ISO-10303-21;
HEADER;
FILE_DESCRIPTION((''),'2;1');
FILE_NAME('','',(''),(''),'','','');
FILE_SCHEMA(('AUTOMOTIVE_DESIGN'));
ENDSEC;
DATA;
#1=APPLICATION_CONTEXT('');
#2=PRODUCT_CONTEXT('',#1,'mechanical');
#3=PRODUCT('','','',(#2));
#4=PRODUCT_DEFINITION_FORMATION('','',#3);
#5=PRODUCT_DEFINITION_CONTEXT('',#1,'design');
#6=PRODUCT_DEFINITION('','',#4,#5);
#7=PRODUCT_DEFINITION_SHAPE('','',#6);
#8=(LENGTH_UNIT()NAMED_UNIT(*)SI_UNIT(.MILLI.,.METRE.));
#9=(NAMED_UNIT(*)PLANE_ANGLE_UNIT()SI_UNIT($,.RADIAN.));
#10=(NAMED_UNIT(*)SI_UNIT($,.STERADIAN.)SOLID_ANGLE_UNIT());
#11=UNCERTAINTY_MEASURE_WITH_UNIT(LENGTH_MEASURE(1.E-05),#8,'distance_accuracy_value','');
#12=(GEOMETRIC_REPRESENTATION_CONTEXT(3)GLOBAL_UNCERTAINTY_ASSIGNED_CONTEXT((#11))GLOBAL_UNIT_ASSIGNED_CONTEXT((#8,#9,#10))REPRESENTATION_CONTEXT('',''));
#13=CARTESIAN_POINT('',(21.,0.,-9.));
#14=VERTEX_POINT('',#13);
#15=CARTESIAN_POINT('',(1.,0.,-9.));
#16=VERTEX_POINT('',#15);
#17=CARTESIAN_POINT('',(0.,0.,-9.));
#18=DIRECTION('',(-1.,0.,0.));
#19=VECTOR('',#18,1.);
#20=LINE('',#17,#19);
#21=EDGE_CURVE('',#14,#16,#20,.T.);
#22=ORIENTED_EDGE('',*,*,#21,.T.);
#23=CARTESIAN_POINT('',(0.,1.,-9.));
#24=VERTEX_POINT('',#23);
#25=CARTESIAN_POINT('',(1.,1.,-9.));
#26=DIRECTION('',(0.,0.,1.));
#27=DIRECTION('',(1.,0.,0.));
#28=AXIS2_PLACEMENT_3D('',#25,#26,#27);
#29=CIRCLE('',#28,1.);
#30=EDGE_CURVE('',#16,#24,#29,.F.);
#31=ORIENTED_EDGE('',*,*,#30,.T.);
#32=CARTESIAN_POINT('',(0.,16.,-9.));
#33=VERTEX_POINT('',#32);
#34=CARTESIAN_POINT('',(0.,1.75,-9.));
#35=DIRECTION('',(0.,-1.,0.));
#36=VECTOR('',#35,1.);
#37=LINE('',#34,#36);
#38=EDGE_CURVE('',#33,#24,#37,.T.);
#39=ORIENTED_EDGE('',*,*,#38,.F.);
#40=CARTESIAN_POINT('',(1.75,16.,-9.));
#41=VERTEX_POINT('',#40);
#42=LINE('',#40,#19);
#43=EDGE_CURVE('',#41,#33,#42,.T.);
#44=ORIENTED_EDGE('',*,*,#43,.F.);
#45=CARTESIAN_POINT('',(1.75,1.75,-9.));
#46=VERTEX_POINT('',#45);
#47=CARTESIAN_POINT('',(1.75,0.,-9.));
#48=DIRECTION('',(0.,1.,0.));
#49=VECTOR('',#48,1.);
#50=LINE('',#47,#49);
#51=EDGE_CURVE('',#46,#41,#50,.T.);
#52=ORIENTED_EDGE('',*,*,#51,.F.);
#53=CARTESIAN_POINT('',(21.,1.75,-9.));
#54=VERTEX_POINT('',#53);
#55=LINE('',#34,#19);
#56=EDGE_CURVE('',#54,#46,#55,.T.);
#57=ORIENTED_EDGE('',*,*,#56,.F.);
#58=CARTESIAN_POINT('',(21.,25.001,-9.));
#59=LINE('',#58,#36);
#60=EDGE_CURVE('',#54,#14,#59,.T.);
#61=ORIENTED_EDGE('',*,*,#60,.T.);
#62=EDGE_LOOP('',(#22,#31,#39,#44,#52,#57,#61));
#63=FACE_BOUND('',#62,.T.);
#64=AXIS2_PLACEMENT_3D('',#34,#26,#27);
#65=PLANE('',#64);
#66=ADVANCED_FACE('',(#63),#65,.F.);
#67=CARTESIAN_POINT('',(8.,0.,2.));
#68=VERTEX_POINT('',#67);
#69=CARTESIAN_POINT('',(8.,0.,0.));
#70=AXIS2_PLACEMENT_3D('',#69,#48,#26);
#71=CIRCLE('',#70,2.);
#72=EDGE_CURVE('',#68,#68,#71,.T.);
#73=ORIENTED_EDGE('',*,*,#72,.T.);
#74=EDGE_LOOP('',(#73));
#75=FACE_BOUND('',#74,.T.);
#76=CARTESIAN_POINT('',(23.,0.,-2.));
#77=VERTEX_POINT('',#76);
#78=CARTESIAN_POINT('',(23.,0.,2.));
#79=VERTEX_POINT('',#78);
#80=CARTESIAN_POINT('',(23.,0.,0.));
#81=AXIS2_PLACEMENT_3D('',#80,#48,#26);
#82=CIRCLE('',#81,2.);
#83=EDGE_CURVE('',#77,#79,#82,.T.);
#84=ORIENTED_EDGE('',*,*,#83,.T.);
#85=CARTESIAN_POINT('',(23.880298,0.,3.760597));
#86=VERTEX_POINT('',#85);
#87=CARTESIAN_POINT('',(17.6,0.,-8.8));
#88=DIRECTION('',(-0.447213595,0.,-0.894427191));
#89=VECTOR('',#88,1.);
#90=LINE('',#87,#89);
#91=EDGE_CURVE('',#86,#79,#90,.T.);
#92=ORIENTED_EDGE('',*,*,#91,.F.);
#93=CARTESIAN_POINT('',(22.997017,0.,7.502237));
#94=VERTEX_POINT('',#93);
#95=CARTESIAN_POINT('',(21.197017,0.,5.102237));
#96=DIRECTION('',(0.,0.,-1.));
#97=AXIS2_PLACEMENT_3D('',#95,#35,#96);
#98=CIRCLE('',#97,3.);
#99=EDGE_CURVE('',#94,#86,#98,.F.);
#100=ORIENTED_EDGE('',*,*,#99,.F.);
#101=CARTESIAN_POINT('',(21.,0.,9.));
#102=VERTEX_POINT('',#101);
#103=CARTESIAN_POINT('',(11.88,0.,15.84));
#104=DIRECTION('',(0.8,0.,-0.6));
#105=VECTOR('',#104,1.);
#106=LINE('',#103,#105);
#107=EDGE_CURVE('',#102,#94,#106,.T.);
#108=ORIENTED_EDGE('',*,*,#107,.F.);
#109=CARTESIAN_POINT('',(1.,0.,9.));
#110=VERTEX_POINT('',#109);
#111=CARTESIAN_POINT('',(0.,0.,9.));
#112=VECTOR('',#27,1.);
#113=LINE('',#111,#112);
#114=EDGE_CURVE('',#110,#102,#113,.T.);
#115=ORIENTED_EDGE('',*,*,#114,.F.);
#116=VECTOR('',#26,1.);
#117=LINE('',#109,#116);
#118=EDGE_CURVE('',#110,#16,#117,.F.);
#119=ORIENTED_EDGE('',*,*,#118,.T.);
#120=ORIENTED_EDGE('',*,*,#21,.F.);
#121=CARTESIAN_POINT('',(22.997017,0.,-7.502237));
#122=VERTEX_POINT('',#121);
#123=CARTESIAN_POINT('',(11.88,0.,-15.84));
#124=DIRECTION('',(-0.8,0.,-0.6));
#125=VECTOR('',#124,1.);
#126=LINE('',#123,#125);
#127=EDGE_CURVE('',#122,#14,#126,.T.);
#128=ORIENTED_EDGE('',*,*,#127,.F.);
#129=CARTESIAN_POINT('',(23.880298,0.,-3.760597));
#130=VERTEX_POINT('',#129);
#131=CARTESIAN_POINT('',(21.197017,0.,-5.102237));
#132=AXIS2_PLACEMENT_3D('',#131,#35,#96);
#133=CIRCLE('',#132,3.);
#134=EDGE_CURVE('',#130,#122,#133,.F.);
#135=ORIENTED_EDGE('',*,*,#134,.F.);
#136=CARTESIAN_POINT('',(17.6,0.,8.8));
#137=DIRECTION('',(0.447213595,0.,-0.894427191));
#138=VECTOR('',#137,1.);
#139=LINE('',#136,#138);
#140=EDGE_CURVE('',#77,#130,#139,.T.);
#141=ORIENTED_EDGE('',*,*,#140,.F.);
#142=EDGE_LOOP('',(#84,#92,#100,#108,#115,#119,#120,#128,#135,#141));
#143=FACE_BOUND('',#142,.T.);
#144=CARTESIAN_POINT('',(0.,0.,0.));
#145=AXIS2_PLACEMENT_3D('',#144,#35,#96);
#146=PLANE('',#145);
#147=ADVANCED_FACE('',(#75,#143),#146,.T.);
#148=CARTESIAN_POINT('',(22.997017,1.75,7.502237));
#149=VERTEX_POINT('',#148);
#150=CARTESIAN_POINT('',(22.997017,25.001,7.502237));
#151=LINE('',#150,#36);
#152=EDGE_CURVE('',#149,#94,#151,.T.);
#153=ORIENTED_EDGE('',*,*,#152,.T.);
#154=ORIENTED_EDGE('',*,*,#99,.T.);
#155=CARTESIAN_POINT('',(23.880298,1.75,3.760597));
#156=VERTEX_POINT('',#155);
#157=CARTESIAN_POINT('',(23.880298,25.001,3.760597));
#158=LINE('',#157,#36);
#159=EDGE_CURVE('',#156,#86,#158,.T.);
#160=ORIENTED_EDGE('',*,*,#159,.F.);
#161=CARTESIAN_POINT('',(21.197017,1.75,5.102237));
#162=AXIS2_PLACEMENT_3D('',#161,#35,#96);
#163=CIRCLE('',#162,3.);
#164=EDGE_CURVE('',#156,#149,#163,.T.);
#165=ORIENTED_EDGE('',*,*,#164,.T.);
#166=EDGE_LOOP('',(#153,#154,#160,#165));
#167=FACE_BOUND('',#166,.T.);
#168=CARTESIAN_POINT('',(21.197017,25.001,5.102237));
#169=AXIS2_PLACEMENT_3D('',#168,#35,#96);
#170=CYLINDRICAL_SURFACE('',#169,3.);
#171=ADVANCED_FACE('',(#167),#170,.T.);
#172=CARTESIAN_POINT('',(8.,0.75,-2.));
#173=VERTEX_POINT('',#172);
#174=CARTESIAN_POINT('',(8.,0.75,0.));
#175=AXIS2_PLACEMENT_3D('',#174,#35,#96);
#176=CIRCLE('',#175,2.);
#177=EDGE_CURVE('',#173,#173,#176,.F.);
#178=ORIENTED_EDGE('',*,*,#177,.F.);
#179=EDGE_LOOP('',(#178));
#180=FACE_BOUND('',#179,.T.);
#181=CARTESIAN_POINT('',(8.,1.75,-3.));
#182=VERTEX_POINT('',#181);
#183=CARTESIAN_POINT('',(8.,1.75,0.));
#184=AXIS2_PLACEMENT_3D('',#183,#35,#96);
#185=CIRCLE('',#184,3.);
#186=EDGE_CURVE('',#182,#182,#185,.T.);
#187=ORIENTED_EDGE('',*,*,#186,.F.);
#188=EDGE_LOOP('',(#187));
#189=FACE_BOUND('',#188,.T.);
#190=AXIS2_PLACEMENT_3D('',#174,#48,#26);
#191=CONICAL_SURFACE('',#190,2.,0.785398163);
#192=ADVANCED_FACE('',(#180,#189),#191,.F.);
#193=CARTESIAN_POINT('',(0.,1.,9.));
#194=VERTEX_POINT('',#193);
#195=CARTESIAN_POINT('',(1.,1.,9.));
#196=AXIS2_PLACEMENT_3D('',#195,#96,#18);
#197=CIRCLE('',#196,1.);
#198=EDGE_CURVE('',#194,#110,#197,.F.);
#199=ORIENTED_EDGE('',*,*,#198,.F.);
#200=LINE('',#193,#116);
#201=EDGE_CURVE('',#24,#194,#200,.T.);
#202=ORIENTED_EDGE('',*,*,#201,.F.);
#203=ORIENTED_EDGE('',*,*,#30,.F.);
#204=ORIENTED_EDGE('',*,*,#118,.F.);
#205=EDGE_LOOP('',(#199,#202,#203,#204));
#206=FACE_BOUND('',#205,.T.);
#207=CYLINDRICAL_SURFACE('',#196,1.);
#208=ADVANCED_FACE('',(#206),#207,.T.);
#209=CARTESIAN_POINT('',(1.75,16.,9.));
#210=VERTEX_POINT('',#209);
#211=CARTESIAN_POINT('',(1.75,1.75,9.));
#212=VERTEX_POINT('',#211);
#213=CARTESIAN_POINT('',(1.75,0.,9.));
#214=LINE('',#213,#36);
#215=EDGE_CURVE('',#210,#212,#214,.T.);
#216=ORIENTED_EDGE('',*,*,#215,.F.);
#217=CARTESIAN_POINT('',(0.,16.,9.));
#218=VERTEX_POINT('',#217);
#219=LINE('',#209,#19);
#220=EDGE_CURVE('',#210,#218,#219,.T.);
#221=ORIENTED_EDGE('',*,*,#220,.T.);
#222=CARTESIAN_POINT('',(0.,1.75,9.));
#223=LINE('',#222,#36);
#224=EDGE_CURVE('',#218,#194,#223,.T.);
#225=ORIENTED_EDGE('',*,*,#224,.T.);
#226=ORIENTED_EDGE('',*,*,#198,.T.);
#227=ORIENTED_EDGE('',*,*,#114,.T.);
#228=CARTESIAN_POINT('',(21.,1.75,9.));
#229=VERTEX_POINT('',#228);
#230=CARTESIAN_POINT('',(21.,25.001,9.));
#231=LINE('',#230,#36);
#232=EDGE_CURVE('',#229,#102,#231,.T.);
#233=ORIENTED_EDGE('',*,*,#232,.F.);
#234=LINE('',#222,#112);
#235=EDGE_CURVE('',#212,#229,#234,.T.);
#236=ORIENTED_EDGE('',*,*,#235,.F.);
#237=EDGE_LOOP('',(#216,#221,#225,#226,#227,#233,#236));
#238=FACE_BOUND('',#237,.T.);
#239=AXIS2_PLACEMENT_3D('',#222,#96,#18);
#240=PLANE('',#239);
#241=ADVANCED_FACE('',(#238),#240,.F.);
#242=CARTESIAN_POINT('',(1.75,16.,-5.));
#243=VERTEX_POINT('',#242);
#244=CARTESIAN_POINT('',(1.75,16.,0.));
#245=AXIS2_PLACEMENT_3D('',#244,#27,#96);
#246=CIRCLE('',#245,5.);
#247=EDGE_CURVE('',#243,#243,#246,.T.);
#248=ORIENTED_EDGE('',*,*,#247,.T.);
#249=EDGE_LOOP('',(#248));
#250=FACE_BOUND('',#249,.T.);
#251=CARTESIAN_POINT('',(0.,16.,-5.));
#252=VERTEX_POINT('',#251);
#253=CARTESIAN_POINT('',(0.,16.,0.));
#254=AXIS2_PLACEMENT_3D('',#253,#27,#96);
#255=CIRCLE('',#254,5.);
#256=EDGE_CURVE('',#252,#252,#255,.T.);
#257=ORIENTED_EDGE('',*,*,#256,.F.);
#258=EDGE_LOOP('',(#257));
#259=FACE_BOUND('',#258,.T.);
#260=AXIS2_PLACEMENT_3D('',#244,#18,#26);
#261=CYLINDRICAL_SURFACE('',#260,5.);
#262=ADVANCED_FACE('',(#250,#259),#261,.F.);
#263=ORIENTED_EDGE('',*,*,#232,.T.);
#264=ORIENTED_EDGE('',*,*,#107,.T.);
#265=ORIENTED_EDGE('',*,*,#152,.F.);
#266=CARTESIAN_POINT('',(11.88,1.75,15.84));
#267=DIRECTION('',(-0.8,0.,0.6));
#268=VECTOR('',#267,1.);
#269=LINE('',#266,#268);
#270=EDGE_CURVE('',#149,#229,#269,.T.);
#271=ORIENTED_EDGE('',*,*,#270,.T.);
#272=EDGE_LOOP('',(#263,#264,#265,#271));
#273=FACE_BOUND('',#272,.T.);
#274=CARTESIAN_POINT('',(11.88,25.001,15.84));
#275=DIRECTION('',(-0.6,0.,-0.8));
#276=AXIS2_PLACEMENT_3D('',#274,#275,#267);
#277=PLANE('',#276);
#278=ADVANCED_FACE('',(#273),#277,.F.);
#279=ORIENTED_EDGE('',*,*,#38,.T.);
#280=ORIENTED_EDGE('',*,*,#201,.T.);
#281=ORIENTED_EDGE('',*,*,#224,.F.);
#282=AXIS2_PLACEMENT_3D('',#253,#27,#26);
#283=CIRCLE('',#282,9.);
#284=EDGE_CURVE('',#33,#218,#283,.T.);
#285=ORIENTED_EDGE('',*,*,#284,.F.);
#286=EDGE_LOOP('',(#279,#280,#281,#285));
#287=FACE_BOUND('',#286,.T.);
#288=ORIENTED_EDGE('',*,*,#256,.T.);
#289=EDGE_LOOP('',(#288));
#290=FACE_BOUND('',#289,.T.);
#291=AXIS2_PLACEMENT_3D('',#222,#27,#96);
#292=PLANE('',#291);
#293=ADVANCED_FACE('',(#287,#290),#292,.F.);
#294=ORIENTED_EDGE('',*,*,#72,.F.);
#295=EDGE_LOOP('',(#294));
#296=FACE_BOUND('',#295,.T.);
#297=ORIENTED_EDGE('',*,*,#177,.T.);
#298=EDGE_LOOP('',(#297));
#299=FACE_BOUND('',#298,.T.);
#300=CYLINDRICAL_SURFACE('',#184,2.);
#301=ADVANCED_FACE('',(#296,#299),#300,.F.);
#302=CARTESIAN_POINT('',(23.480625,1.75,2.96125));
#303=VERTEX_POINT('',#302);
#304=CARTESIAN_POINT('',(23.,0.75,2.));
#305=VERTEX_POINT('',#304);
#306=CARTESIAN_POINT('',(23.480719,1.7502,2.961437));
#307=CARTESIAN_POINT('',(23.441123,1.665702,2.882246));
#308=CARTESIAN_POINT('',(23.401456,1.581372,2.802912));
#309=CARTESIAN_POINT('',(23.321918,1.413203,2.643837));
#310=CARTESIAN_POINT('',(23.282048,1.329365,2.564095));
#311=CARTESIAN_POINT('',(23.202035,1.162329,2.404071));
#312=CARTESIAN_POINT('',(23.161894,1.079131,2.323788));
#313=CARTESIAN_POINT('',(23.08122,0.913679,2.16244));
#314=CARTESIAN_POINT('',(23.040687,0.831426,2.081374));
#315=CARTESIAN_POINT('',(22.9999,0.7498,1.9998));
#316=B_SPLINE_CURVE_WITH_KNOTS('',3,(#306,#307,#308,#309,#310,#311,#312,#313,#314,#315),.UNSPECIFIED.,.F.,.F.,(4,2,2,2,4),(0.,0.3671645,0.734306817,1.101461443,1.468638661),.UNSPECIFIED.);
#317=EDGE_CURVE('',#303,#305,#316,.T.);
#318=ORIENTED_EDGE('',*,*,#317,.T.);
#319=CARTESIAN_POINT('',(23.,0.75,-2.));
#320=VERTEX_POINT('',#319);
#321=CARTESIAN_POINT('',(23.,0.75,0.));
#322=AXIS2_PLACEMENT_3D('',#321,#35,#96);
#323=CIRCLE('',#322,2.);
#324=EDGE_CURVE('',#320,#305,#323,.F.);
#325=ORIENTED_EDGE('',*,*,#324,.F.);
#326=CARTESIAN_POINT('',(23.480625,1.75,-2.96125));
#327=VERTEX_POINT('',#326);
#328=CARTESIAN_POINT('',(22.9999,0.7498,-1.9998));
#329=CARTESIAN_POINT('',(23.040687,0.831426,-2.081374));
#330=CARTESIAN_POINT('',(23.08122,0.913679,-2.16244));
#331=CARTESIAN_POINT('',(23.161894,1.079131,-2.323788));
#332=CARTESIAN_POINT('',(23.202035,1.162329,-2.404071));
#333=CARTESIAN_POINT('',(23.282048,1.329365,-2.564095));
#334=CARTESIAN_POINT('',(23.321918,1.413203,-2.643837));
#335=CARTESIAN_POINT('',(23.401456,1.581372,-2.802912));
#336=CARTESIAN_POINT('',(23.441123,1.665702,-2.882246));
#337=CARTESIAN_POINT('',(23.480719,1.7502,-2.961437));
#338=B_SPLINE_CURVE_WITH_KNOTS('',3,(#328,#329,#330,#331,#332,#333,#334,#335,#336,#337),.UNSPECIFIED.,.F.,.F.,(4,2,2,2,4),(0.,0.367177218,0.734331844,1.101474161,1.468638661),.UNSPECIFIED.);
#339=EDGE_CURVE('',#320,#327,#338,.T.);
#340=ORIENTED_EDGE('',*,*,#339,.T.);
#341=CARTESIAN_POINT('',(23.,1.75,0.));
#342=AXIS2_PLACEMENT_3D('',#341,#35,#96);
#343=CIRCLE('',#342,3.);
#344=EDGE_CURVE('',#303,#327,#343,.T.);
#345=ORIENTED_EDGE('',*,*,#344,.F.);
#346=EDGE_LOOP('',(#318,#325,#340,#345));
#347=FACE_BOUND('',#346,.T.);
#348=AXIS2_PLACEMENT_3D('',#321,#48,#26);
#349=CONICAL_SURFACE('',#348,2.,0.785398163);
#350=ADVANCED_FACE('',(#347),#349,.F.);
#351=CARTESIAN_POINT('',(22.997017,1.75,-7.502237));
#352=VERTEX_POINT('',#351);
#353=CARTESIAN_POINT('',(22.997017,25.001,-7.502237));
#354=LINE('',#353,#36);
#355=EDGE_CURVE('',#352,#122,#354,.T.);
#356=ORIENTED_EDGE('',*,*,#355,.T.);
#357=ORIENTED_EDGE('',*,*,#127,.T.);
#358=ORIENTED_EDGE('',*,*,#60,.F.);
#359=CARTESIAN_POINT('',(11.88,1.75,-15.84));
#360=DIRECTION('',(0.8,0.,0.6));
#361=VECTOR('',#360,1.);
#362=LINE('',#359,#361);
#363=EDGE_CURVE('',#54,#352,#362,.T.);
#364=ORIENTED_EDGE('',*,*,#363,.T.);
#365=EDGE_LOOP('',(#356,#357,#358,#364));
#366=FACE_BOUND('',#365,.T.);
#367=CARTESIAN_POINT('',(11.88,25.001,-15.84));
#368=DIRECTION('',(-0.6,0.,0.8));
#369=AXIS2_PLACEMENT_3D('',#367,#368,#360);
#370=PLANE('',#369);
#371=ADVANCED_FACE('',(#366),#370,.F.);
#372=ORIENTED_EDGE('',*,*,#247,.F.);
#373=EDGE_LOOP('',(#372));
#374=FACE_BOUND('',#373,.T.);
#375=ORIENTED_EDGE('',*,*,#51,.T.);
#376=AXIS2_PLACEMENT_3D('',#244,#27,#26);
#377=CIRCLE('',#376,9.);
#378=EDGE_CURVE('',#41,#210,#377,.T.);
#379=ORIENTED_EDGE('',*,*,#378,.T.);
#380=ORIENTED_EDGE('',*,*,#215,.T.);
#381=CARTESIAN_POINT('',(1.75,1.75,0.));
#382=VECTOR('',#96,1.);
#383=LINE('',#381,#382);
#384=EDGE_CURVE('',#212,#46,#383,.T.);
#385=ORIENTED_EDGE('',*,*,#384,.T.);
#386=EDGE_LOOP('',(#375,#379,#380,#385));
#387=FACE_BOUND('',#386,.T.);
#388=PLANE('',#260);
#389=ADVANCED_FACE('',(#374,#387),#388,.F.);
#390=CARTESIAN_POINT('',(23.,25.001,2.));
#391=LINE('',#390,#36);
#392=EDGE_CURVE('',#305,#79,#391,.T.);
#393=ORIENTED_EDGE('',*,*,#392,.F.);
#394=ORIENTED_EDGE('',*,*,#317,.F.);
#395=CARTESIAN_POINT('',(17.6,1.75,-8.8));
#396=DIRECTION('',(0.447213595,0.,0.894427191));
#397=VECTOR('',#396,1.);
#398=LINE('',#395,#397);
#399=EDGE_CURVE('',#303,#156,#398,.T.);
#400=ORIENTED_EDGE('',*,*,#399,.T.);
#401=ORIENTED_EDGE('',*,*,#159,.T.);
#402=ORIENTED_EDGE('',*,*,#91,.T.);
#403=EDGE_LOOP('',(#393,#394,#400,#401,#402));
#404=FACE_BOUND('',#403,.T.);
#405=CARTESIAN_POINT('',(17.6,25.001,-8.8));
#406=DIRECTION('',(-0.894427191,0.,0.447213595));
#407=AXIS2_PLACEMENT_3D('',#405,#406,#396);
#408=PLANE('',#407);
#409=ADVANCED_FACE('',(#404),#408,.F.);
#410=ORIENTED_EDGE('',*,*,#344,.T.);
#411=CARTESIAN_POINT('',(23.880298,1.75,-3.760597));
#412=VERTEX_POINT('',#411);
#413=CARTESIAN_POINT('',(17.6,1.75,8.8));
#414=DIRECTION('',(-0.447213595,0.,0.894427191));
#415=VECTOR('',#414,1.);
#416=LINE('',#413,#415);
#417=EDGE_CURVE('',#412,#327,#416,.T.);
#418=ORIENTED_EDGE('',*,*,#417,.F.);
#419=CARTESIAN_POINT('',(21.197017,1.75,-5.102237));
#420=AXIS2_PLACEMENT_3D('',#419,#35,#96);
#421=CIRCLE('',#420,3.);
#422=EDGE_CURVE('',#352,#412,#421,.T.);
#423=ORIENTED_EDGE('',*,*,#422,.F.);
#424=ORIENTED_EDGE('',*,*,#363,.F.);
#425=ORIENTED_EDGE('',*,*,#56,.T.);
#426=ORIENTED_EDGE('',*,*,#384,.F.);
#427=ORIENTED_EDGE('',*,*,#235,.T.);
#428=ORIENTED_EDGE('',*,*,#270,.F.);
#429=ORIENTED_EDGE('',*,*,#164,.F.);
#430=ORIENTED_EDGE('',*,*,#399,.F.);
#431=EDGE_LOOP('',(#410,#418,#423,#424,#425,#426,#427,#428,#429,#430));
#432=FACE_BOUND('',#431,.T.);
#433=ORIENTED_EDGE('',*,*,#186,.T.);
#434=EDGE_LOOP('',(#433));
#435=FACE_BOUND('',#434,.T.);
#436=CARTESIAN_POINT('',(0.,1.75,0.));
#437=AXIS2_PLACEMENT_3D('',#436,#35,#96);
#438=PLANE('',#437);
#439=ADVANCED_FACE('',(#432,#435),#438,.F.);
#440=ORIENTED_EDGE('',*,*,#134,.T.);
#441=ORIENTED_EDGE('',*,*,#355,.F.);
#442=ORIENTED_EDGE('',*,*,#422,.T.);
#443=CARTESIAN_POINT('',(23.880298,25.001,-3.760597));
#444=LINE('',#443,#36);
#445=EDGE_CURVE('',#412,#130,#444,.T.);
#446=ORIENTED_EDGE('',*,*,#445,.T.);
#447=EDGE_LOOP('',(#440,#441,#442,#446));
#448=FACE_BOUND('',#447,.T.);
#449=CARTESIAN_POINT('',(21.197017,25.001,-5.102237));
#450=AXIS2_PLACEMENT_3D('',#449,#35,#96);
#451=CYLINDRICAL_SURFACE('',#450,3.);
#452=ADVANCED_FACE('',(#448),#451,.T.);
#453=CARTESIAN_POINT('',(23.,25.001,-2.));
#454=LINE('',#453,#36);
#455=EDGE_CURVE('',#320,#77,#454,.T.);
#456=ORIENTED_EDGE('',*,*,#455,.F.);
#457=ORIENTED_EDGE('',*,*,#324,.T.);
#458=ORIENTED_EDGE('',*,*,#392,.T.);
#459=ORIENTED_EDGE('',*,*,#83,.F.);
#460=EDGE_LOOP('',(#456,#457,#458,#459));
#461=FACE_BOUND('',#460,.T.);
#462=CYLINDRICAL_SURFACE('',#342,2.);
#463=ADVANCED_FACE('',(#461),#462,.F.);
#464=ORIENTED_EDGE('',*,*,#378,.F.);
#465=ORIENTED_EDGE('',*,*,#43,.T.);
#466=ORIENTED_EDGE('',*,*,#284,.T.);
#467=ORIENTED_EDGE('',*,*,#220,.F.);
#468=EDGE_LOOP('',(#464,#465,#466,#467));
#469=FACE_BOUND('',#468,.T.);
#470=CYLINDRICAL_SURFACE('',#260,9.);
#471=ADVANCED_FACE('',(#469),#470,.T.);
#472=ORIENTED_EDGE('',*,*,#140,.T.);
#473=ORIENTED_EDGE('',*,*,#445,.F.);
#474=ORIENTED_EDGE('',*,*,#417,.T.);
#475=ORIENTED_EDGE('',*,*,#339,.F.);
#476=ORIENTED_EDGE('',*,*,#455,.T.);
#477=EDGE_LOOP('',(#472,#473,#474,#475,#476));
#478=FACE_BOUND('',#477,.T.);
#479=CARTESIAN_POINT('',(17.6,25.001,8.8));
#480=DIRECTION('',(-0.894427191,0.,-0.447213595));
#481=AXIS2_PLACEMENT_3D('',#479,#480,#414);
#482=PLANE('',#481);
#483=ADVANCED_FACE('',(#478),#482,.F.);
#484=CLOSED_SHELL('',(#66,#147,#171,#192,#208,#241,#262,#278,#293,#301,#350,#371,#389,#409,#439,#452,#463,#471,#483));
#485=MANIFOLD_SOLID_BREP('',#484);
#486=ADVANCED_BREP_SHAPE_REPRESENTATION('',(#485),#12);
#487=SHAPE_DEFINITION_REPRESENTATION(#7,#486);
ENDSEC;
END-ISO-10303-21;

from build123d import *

# Parameters (mm, degrees)
SKETCH_1_W          = 28
SKETCH_1_H          = 18
SKETCH_1_R          = 2
EXTRUDE_1_DEPTH     = 1.75
SKETCH_2_R          = 5
EXTRUDE_2_DEPTH     = 1.75
FILLET_1_R          = 1
CHAMFER_1_SIZE      = 1
CUT_EXTRUDE_1_REACH = 40.601


with BuildPart() as part:
    # Эскиз1 → Бобышка-Вытянуть1 (new body)
    with BuildSketch(Plane(origin=(0, 0, 0), x_dir=(1, 0, 0), z_dir=(0, 1, 0))):
        with Locations((14, 0)):
            Rectangle(SKETCH_1_W, SKETCH_1_H)
        with Locations(Location((8, 0, 0), (0, 0, 270))):
            Circle(SKETCH_1_R, mode=Mode.SUBTRACT)
        with Locations(Location((23, 0, 0), (0, 0, 270))):
            Circle(SKETCH_1_R, mode=Mode.SUBTRACT)
    extrude(amount=EXTRUDE_1_DEPTH)

    # Эскиз2 → Бобышка-Вытянуть2 (add)
    with BuildSketch(Plane(origin=(0, 0, 0), x_dir=(0, 0, -1), z_dir=(1, 0, 0))):
        with BuildLine():
            Line((-9, 0), (-9, 16))
            ThreePointArc((-9, 16), (0, 25), (9, 16))
            Line((9, 16), (9, 0))
            Line((9, 0), (-9, 0))
        make_face()
        with Locations((0, 16)):
            Circle(SKETCH_2_R, mode=Mode.SUBTRACT)
    extrude(amount=EXTRUDE_2_DEPTH)

    # Скругление1
    fillet_1_edges = [part.edges().sort_by_distance(p)[0] for p in [
        (0, 0, 0),
    ]]
    fillet(fillet_1_edges, radius=FILLET_1_R)

    # Фаска1
    chamfer_1_edges = [part.edges().sort_by_distance(p)[0] for p in [
        (8, 1.75, -2),
        (23, 1.75, -2),
    ]]
    chamfer(chamfer_1_edges, length=CHAMFER_1_SIZE)

    # Эскиз3 → Вырез-Вытянуть1 (cut, up to next)
    with BuildSketch(Plane(origin=(0, 0, 0), x_dir=(-1, 0, 0), z_dir=(0, -1, 0)), mode=Mode.PRIVATE) as cut_extrude_1_sk1:
        with BuildLine():
            ThreePointArc((-25, 0), (-24.414213562, 1.414213562), (-23, 2))
            Line((-23, 2), (-23.880298325, 3.76059665))
            ThreePointArc((-23.880298325, 3.76059665), (-24.11676372, 5.791496198), (-22.997016752, 7.502237436))
            Line((-22.997016752, 7.502237436), (-21, 9))
            Line((-21, 9), (-28, 9))
            Line((-28, 9), (-28, 0))
            Line((-28, 0), (-25, 0))
        make_face()
    cut_extrude_1_tool1 = extrude(cut_extrude_1_sk1.sketch, amount=-CUT_EXTRUDE_1_REACH, mode=Mode.PRIVATE) & part.part
    # Эскиз3 → Вырез-Вытянуть1 (cut, up to next)
    with BuildSketch(Plane(origin=(0, 0, 0), x_dir=(-1, 0, 0), z_dir=(0, -1, 0)), mode=Mode.PRIVATE) as cut_extrude_1_sk2:
        with BuildLine():
            ThreePointArc((-23, -2), (-24.414213562, -1.414213562), (-25, 0))
            Line((-25, 0), (-28, 0))
            Line((-28, 0), (-28, -9))
            Line((-28, -9), (-21, -9))
            Line((-21, -9), (-22.997016752, -7.502237436))
            ThreePointArc((-22.997016752, -7.502237436), (-24.11676372, -5.791496198), (-23.880298325, -3.76059665))
            Line((-23.880298325, -3.76059665), (-23, -2))
        make_face()
    cut_extrude_1_tool2 = extrude(cut_extrude_1_sk2.sketch, amount=-CUT_EXTRUDE_1_REACH, mode=Mode.PRIVATE) & part.part
    add(cut_extrude_1_tool1.solids().sort_by_distance((25.731211, 0, -4.895819))[0], mode=Mode.SUBTRACT)
    add(cut_extrude_1_tool2.solids().sort_by_distance((25.731211, 0, 4.895819))[0], mode=Mode.SUBTRACT)


solid = part.part
